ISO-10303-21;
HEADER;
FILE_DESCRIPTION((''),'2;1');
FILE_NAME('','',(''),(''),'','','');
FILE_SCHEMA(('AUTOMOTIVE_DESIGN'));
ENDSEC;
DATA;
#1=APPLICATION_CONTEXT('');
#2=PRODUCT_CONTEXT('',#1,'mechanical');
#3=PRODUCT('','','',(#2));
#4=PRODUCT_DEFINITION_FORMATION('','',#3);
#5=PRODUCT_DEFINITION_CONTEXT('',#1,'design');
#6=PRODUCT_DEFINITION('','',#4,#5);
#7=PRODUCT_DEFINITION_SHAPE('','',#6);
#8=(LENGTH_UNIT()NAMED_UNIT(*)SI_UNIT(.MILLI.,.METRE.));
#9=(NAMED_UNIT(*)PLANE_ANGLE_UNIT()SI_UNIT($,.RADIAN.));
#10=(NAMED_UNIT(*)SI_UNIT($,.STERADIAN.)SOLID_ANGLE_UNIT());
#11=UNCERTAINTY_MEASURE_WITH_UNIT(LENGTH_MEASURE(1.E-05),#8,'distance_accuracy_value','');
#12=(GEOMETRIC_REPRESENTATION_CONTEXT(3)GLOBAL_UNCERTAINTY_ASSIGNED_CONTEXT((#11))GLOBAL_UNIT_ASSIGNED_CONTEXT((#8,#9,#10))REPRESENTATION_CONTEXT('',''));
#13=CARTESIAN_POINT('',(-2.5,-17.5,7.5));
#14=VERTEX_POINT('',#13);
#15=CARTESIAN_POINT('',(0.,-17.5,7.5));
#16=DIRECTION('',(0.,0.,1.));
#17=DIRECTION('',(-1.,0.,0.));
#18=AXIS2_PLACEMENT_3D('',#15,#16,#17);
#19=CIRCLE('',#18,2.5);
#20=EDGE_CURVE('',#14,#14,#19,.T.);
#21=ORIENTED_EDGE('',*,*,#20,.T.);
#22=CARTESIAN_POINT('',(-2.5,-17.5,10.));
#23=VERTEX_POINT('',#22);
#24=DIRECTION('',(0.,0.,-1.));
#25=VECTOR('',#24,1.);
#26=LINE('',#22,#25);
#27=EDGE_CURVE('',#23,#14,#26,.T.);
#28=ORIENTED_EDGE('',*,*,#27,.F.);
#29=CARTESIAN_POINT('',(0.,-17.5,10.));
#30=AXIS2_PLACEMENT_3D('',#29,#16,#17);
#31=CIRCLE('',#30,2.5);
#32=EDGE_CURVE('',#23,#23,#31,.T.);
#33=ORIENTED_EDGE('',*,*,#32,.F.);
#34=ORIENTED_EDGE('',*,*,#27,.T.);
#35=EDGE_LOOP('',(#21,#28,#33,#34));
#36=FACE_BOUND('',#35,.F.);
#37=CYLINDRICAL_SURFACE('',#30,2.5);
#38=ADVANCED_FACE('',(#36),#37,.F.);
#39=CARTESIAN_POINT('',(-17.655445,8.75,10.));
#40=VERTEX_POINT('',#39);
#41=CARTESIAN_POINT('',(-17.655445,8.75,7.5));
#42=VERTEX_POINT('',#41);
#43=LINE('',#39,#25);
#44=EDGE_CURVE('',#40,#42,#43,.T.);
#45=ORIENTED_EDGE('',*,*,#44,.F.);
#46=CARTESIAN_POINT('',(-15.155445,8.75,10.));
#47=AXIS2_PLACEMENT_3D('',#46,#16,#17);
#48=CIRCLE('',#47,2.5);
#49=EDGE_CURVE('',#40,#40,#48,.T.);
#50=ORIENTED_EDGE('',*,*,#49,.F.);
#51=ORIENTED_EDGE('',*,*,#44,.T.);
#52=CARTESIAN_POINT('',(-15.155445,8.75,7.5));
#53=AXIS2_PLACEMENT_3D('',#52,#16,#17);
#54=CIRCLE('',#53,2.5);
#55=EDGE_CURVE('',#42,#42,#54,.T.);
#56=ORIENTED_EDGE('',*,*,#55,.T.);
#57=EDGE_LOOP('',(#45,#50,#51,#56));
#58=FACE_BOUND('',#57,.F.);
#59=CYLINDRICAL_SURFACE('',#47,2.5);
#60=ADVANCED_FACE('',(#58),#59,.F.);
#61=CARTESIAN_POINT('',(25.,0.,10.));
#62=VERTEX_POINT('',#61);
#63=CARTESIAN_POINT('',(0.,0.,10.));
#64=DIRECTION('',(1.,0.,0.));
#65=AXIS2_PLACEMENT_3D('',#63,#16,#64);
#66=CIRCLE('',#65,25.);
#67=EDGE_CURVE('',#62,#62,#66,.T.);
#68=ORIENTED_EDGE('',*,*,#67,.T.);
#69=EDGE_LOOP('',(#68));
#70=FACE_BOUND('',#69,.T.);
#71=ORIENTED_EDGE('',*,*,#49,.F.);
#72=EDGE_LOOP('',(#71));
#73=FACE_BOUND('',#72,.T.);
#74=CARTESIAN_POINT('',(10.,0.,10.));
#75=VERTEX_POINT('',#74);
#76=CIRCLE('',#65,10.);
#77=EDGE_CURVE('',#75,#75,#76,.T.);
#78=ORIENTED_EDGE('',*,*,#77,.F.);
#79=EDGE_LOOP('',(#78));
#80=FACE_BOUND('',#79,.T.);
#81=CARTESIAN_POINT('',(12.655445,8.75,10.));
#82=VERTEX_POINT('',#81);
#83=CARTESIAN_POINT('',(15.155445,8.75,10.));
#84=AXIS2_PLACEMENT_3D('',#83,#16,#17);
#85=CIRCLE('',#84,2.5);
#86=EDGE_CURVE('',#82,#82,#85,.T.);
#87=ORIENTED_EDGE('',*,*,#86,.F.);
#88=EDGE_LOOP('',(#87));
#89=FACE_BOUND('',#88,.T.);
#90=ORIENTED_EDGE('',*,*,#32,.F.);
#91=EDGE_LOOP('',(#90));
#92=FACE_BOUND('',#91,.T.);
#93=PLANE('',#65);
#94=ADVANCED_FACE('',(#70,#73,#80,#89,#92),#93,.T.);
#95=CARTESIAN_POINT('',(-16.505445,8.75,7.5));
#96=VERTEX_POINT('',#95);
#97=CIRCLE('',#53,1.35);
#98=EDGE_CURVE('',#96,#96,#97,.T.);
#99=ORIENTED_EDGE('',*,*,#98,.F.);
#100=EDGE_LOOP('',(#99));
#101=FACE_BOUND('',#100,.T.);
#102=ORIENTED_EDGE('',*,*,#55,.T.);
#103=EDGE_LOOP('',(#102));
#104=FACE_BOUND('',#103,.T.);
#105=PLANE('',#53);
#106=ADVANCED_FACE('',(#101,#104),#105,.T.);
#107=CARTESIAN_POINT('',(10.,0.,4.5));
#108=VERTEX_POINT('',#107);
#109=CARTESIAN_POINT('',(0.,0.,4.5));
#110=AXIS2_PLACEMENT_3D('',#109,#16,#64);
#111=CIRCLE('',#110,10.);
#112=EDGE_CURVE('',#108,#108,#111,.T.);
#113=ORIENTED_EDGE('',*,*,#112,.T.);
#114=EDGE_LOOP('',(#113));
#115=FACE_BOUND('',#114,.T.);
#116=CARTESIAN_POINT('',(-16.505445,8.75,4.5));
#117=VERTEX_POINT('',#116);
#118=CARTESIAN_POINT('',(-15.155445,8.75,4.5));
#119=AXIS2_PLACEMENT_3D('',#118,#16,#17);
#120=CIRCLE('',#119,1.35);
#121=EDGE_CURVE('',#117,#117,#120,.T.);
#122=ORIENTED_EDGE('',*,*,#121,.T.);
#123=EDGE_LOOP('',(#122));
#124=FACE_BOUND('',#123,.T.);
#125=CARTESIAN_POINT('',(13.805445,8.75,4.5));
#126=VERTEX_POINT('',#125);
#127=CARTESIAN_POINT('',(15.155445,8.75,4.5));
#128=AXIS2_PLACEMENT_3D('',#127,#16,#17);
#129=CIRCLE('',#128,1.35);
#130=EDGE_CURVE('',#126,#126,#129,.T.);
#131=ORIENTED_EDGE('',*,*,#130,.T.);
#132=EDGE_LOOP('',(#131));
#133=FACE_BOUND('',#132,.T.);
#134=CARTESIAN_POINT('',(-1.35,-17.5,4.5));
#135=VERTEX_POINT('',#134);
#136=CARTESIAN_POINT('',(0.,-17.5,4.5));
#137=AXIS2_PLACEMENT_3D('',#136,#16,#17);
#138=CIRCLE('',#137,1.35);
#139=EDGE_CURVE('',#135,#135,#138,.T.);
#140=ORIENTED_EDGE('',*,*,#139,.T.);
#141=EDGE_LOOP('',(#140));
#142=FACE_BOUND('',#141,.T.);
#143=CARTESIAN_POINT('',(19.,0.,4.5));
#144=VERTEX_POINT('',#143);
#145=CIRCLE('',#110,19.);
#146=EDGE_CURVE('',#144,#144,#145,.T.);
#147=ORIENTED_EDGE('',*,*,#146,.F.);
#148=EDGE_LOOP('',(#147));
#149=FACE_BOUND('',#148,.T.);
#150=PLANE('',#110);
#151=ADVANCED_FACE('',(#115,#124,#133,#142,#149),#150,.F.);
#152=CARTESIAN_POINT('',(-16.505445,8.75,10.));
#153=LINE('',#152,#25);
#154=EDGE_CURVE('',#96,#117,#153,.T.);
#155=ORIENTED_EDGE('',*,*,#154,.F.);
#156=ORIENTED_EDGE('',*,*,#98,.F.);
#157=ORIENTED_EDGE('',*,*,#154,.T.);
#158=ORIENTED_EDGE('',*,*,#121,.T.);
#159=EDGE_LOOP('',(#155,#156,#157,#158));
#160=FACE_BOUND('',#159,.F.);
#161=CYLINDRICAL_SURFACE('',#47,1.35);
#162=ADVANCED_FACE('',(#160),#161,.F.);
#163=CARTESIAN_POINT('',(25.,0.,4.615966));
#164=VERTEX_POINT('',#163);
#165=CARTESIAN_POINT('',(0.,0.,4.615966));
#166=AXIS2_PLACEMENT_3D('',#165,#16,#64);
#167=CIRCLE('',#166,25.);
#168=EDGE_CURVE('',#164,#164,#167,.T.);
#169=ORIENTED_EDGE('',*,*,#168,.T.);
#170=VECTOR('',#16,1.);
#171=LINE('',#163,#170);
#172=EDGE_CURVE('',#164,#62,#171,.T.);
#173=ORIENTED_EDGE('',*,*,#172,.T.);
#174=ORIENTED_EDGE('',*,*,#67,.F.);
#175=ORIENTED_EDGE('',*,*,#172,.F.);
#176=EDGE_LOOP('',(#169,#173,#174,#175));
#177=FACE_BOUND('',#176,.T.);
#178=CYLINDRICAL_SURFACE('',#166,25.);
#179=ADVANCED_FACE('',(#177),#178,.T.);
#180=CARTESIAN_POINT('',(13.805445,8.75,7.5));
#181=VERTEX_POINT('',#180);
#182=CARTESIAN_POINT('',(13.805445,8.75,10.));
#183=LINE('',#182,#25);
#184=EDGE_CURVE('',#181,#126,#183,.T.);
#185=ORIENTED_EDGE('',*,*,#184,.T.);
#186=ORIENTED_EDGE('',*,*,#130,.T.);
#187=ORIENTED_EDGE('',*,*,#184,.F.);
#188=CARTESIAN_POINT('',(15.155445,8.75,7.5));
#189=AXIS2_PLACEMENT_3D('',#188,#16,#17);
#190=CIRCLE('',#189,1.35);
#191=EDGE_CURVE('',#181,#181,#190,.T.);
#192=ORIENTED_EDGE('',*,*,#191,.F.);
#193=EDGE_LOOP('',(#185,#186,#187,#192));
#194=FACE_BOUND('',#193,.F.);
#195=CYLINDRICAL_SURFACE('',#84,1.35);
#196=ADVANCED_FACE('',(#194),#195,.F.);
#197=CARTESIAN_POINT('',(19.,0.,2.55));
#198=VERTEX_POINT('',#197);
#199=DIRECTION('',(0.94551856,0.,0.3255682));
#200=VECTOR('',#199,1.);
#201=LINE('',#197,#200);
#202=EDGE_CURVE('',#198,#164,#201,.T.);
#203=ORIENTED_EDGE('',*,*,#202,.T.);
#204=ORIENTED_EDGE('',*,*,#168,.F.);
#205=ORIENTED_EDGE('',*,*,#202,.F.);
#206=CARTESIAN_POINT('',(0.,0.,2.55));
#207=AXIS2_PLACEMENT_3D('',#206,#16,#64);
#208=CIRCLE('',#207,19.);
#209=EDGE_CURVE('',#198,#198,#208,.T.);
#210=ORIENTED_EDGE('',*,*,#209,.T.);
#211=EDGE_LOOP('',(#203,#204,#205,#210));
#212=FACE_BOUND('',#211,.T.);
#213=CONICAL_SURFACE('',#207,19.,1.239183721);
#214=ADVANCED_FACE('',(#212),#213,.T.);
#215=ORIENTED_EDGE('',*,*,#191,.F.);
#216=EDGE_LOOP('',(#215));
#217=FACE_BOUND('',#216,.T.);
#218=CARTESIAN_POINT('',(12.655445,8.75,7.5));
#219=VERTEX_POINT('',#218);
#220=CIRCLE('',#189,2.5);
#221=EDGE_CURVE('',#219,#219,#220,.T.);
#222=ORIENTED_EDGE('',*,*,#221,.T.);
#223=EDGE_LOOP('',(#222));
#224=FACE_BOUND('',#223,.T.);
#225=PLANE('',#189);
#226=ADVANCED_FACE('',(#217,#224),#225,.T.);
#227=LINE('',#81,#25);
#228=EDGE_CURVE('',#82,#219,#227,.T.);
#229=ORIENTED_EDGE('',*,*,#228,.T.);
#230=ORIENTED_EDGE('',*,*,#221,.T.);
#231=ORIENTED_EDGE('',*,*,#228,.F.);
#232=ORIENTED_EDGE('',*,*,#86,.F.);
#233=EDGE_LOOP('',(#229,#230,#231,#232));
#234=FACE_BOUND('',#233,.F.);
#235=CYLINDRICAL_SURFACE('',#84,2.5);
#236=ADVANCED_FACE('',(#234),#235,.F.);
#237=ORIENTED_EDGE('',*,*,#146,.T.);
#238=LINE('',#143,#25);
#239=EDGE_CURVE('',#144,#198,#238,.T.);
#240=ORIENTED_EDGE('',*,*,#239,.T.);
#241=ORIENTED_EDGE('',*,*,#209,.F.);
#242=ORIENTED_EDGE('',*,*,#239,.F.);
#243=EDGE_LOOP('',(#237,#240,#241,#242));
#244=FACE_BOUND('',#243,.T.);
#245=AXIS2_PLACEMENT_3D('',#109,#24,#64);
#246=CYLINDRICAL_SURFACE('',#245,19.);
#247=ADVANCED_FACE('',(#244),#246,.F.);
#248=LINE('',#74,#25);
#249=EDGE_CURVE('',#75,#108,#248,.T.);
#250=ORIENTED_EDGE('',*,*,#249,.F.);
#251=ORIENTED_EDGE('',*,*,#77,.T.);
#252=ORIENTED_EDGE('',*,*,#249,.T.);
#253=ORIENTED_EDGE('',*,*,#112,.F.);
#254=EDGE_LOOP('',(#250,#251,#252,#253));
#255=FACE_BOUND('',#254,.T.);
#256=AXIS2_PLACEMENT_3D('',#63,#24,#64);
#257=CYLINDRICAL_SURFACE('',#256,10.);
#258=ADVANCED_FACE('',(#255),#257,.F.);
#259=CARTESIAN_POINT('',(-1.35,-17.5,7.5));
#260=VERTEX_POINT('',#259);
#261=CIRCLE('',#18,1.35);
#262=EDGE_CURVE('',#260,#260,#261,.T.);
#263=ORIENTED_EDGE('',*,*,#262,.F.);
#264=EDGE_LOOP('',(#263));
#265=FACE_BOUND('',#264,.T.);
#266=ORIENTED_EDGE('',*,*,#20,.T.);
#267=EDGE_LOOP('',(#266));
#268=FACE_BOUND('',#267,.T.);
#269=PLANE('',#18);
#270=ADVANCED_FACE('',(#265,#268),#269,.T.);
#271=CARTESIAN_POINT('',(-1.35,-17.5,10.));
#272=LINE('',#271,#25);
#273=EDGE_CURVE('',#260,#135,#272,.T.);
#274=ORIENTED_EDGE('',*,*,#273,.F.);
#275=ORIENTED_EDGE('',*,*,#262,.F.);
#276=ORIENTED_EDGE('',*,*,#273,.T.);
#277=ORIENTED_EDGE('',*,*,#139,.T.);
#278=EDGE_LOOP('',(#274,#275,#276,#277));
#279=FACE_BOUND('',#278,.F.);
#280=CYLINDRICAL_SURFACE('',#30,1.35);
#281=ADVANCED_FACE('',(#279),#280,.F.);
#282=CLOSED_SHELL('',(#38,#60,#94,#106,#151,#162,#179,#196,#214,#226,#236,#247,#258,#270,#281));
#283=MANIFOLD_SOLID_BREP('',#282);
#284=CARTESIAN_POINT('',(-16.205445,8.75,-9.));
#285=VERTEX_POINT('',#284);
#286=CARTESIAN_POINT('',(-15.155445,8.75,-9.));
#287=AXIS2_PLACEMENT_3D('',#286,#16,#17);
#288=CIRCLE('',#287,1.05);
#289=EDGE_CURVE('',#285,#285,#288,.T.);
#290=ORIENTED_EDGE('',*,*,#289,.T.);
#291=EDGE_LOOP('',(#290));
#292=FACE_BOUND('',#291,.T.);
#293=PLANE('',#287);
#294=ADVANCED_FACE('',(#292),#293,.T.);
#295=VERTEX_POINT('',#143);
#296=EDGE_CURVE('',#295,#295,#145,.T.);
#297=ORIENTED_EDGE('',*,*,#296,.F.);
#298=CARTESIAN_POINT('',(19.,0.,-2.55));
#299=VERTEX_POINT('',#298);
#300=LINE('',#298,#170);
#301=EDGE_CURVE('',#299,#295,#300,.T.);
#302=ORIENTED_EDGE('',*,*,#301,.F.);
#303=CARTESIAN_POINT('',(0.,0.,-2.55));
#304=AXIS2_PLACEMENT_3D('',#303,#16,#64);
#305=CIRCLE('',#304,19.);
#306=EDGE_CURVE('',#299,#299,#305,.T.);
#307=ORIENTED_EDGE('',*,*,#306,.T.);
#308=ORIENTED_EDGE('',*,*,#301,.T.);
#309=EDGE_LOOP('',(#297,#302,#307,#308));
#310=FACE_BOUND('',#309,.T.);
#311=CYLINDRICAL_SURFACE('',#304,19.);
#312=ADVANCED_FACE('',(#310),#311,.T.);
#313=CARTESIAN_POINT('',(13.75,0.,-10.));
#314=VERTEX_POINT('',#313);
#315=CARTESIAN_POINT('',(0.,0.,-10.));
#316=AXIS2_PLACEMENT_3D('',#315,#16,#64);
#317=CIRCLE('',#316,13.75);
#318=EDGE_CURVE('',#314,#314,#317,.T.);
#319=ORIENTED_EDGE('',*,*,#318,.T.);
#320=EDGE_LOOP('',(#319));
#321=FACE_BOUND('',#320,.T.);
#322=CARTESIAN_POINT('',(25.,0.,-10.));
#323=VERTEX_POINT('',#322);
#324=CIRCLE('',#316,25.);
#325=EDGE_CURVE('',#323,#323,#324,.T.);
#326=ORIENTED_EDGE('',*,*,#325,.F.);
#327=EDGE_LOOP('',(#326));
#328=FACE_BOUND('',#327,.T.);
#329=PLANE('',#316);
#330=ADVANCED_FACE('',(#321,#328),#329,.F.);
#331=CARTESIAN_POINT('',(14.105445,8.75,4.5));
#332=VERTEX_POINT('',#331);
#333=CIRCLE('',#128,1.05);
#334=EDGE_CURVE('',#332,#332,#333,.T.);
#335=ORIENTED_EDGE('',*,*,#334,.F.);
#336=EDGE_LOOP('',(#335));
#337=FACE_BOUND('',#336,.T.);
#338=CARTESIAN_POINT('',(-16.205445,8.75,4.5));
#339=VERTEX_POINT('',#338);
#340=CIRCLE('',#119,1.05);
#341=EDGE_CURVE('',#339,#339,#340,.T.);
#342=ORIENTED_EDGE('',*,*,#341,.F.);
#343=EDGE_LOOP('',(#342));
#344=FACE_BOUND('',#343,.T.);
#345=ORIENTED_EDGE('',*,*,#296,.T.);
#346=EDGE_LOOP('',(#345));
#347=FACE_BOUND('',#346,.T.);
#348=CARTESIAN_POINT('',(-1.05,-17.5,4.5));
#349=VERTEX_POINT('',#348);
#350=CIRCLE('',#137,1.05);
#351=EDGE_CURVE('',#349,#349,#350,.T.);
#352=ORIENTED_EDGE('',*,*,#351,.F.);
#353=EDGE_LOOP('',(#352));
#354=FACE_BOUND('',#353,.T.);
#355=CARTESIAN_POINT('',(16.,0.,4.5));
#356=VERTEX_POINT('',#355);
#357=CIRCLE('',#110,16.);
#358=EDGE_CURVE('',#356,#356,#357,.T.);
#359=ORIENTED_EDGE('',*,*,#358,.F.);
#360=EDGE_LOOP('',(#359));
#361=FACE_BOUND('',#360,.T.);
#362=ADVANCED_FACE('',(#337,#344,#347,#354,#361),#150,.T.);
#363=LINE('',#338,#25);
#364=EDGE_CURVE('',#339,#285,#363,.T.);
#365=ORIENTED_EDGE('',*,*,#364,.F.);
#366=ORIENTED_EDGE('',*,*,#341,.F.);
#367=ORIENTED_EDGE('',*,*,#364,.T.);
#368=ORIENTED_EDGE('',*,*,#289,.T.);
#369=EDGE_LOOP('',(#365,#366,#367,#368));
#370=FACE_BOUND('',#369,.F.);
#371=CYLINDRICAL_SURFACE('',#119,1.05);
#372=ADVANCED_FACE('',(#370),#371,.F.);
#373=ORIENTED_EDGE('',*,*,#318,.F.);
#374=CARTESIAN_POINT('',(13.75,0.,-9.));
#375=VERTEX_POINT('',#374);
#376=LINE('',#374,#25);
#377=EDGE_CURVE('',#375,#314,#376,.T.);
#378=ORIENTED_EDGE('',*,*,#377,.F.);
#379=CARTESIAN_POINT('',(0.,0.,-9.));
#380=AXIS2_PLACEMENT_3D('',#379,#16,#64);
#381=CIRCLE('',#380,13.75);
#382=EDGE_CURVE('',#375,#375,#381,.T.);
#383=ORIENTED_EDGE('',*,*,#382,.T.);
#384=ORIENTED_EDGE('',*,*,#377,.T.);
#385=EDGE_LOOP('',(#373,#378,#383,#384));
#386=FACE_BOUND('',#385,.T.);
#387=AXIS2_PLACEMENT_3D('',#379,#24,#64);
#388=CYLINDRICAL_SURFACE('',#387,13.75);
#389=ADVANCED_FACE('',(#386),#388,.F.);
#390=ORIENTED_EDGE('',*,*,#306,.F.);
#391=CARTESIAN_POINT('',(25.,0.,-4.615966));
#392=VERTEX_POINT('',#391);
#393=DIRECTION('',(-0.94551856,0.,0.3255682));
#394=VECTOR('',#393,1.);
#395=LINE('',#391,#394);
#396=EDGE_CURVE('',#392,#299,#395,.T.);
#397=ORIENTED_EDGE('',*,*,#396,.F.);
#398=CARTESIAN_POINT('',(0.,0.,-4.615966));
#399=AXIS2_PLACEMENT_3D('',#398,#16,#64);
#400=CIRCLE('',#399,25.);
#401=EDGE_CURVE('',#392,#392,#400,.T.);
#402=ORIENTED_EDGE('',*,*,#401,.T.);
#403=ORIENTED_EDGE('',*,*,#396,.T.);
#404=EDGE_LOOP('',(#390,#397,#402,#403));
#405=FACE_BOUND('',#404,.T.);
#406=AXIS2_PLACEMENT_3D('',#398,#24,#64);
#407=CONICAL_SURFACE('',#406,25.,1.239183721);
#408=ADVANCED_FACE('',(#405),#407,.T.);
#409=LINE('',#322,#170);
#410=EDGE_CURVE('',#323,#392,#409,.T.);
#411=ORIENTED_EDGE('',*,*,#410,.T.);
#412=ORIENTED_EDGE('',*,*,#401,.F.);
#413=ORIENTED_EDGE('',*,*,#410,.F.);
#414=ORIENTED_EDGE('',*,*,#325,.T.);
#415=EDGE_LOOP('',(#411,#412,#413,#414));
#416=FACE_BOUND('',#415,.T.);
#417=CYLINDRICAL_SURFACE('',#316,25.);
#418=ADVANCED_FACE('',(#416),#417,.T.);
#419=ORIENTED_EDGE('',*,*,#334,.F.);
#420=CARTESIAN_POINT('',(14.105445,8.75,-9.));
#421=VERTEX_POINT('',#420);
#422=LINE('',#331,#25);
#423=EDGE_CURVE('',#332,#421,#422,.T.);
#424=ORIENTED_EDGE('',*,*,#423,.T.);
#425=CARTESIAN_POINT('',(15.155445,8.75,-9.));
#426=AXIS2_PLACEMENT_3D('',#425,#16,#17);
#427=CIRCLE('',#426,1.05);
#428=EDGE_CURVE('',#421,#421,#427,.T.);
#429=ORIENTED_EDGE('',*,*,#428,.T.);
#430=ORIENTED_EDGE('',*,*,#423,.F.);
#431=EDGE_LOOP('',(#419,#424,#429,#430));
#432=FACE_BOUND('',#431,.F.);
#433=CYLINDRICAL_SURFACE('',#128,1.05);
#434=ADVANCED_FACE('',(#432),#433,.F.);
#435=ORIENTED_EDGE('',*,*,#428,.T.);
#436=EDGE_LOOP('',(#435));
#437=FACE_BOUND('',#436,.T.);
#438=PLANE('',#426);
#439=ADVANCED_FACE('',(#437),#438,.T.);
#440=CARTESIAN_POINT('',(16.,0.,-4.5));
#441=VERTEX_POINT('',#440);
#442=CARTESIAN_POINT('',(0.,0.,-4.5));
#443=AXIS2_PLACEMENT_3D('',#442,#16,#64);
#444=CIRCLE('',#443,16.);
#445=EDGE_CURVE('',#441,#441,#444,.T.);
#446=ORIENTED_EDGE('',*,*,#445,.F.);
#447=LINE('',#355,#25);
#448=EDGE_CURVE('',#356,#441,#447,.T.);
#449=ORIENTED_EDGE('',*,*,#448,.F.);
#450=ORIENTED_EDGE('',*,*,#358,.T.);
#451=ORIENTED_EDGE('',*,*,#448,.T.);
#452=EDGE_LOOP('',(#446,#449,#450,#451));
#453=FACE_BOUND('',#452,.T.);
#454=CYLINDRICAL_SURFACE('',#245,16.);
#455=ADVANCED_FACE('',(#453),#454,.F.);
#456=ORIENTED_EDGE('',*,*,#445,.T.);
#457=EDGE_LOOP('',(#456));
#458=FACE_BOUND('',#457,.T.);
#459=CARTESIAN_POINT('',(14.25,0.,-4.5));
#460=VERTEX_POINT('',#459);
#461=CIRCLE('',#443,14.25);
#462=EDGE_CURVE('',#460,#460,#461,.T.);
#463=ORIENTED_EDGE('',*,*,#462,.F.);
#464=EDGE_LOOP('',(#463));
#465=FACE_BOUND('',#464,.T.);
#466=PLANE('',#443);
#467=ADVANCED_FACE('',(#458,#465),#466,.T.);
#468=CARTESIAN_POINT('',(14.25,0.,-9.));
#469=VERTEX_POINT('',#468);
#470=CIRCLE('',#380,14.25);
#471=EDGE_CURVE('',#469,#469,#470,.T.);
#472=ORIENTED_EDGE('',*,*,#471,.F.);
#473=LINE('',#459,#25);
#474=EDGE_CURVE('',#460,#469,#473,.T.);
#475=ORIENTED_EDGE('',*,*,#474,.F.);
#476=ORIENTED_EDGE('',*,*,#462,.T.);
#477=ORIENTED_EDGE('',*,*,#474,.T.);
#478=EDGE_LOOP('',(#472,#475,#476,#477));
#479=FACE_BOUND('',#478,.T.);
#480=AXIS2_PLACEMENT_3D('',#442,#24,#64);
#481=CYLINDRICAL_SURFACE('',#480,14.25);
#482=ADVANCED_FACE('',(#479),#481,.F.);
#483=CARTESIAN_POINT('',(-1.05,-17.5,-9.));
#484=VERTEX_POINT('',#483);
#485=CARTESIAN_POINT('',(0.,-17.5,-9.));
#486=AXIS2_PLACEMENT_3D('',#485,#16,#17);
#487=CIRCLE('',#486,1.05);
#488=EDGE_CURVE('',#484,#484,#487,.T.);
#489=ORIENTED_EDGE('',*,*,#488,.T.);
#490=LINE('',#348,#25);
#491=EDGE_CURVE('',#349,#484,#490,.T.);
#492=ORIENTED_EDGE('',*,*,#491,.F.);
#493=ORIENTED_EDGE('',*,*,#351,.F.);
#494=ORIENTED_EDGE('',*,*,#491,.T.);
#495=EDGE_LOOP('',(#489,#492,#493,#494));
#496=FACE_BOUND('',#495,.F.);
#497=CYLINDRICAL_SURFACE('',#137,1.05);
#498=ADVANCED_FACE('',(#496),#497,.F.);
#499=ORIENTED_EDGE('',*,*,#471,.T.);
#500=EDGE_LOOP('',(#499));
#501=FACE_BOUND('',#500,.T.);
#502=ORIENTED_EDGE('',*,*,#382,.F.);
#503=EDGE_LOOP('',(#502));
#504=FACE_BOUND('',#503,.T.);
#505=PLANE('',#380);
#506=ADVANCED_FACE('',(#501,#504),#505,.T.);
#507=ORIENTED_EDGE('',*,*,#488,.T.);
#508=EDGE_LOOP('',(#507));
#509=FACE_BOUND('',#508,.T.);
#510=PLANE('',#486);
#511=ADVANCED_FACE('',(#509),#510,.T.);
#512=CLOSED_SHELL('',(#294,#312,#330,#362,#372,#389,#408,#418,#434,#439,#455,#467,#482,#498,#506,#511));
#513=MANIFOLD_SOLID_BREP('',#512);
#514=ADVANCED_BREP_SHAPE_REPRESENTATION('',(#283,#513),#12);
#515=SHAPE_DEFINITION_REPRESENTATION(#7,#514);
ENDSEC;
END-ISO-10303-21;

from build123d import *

# Parameters (mm, degrees)
SKETCH003_R     = 1.05
POCKET001_DEPTH = 13.5
SKETCH004_R     = 1.35
POCKET_DEPTH    = 7.451
SKETCH005_R     = 2.5
POCKET002_DEPTH = 2.5


with BuildPart() as f_2_screwholes_pocket:
    # Sketch → Revolution001 (revolve)
    with BuildSketch(Plane.XZ):
        Polygon((13.75, -10), (25, -10), (25, -4.615966), (19, -2.55), (19, 4.5), (16, 4.5), (16, -4.5), (14.25, -4.5), (14.25, -9), (13.75, -9), align=None)
    revolve(axis=Axis((0, 0, 0), (0, 0, 1)))

    # Sketch003 → Pocket001 (cut)
    with BuildSketch(Plane(origin=(0, 0, 4.5), x_dir=(-1, 0, 0), z_dir=(0, 0, 1))):
        with Locations((0, 17.5)):
            Circle(SKETCH003_R)
        with Locations((-15.155445, -8.75)):
            Circle(SKETCH003_R)
        with Locations((15.155445, -8.75)):
            Circle(SKETCH003_R)
    extrude(amount=-POCKET001_DEPTH, mode=Mode.SUBTRACT)


with BuildPart() as f_3_screwcounterboreholes_pocket:
    # Sketch001 → Revolution (revolve)
    with BuildSketch(Plane.XZ):
        Polygon((19, 2.55), (25, 4.615966), (25, 10), (10, 10), (10, 4.5), (19, 4.5), align=None)
    revolve(axis=Axis((0, 0, 0), (0, 0, 1)))

    # Sketch004 → Pocket (cut, through all)
    with BuildSketch(Plane(origin=(0, 0, 10), x_dir=(-1, 0, 0), z_dir=(0, 0, 1))):
        with Locations((0, 17.5)):
            Circle(SKETCH004_R)
        with Locations((-15.155445, -8.75)):
            Circle(SKETCH004_R)
        with Locations((15.155445, -8.75)):
            Circle(SKETCH004_R)
    extrude(amount=-POCKET_DEPTH, mode=Mode.SUBTRACT)

    # Sketch005 → Pocket002 (cut)
    with BuildSketch(Plane(origin=(0, 0, 10), x_dir=(-1, 0, 0), z_dir=(0, 0, 1))):
        with Locations((0, 17.5)):
            Circle(SKETCH005_R)
        with Locations((-15.155445, -8.75)):
            Circle(SKETCH005_R)
        with Locations((15.155445, -8.75)):
            Circle(SKETCH005_R)
    extrude(amount=-POCKET002_DEPTH, mode=Mode.SUBTRACT)


solid = Compound([f_2_screwholes_pocket.part, f_3_screwcounterboreholes_pocket.part])
